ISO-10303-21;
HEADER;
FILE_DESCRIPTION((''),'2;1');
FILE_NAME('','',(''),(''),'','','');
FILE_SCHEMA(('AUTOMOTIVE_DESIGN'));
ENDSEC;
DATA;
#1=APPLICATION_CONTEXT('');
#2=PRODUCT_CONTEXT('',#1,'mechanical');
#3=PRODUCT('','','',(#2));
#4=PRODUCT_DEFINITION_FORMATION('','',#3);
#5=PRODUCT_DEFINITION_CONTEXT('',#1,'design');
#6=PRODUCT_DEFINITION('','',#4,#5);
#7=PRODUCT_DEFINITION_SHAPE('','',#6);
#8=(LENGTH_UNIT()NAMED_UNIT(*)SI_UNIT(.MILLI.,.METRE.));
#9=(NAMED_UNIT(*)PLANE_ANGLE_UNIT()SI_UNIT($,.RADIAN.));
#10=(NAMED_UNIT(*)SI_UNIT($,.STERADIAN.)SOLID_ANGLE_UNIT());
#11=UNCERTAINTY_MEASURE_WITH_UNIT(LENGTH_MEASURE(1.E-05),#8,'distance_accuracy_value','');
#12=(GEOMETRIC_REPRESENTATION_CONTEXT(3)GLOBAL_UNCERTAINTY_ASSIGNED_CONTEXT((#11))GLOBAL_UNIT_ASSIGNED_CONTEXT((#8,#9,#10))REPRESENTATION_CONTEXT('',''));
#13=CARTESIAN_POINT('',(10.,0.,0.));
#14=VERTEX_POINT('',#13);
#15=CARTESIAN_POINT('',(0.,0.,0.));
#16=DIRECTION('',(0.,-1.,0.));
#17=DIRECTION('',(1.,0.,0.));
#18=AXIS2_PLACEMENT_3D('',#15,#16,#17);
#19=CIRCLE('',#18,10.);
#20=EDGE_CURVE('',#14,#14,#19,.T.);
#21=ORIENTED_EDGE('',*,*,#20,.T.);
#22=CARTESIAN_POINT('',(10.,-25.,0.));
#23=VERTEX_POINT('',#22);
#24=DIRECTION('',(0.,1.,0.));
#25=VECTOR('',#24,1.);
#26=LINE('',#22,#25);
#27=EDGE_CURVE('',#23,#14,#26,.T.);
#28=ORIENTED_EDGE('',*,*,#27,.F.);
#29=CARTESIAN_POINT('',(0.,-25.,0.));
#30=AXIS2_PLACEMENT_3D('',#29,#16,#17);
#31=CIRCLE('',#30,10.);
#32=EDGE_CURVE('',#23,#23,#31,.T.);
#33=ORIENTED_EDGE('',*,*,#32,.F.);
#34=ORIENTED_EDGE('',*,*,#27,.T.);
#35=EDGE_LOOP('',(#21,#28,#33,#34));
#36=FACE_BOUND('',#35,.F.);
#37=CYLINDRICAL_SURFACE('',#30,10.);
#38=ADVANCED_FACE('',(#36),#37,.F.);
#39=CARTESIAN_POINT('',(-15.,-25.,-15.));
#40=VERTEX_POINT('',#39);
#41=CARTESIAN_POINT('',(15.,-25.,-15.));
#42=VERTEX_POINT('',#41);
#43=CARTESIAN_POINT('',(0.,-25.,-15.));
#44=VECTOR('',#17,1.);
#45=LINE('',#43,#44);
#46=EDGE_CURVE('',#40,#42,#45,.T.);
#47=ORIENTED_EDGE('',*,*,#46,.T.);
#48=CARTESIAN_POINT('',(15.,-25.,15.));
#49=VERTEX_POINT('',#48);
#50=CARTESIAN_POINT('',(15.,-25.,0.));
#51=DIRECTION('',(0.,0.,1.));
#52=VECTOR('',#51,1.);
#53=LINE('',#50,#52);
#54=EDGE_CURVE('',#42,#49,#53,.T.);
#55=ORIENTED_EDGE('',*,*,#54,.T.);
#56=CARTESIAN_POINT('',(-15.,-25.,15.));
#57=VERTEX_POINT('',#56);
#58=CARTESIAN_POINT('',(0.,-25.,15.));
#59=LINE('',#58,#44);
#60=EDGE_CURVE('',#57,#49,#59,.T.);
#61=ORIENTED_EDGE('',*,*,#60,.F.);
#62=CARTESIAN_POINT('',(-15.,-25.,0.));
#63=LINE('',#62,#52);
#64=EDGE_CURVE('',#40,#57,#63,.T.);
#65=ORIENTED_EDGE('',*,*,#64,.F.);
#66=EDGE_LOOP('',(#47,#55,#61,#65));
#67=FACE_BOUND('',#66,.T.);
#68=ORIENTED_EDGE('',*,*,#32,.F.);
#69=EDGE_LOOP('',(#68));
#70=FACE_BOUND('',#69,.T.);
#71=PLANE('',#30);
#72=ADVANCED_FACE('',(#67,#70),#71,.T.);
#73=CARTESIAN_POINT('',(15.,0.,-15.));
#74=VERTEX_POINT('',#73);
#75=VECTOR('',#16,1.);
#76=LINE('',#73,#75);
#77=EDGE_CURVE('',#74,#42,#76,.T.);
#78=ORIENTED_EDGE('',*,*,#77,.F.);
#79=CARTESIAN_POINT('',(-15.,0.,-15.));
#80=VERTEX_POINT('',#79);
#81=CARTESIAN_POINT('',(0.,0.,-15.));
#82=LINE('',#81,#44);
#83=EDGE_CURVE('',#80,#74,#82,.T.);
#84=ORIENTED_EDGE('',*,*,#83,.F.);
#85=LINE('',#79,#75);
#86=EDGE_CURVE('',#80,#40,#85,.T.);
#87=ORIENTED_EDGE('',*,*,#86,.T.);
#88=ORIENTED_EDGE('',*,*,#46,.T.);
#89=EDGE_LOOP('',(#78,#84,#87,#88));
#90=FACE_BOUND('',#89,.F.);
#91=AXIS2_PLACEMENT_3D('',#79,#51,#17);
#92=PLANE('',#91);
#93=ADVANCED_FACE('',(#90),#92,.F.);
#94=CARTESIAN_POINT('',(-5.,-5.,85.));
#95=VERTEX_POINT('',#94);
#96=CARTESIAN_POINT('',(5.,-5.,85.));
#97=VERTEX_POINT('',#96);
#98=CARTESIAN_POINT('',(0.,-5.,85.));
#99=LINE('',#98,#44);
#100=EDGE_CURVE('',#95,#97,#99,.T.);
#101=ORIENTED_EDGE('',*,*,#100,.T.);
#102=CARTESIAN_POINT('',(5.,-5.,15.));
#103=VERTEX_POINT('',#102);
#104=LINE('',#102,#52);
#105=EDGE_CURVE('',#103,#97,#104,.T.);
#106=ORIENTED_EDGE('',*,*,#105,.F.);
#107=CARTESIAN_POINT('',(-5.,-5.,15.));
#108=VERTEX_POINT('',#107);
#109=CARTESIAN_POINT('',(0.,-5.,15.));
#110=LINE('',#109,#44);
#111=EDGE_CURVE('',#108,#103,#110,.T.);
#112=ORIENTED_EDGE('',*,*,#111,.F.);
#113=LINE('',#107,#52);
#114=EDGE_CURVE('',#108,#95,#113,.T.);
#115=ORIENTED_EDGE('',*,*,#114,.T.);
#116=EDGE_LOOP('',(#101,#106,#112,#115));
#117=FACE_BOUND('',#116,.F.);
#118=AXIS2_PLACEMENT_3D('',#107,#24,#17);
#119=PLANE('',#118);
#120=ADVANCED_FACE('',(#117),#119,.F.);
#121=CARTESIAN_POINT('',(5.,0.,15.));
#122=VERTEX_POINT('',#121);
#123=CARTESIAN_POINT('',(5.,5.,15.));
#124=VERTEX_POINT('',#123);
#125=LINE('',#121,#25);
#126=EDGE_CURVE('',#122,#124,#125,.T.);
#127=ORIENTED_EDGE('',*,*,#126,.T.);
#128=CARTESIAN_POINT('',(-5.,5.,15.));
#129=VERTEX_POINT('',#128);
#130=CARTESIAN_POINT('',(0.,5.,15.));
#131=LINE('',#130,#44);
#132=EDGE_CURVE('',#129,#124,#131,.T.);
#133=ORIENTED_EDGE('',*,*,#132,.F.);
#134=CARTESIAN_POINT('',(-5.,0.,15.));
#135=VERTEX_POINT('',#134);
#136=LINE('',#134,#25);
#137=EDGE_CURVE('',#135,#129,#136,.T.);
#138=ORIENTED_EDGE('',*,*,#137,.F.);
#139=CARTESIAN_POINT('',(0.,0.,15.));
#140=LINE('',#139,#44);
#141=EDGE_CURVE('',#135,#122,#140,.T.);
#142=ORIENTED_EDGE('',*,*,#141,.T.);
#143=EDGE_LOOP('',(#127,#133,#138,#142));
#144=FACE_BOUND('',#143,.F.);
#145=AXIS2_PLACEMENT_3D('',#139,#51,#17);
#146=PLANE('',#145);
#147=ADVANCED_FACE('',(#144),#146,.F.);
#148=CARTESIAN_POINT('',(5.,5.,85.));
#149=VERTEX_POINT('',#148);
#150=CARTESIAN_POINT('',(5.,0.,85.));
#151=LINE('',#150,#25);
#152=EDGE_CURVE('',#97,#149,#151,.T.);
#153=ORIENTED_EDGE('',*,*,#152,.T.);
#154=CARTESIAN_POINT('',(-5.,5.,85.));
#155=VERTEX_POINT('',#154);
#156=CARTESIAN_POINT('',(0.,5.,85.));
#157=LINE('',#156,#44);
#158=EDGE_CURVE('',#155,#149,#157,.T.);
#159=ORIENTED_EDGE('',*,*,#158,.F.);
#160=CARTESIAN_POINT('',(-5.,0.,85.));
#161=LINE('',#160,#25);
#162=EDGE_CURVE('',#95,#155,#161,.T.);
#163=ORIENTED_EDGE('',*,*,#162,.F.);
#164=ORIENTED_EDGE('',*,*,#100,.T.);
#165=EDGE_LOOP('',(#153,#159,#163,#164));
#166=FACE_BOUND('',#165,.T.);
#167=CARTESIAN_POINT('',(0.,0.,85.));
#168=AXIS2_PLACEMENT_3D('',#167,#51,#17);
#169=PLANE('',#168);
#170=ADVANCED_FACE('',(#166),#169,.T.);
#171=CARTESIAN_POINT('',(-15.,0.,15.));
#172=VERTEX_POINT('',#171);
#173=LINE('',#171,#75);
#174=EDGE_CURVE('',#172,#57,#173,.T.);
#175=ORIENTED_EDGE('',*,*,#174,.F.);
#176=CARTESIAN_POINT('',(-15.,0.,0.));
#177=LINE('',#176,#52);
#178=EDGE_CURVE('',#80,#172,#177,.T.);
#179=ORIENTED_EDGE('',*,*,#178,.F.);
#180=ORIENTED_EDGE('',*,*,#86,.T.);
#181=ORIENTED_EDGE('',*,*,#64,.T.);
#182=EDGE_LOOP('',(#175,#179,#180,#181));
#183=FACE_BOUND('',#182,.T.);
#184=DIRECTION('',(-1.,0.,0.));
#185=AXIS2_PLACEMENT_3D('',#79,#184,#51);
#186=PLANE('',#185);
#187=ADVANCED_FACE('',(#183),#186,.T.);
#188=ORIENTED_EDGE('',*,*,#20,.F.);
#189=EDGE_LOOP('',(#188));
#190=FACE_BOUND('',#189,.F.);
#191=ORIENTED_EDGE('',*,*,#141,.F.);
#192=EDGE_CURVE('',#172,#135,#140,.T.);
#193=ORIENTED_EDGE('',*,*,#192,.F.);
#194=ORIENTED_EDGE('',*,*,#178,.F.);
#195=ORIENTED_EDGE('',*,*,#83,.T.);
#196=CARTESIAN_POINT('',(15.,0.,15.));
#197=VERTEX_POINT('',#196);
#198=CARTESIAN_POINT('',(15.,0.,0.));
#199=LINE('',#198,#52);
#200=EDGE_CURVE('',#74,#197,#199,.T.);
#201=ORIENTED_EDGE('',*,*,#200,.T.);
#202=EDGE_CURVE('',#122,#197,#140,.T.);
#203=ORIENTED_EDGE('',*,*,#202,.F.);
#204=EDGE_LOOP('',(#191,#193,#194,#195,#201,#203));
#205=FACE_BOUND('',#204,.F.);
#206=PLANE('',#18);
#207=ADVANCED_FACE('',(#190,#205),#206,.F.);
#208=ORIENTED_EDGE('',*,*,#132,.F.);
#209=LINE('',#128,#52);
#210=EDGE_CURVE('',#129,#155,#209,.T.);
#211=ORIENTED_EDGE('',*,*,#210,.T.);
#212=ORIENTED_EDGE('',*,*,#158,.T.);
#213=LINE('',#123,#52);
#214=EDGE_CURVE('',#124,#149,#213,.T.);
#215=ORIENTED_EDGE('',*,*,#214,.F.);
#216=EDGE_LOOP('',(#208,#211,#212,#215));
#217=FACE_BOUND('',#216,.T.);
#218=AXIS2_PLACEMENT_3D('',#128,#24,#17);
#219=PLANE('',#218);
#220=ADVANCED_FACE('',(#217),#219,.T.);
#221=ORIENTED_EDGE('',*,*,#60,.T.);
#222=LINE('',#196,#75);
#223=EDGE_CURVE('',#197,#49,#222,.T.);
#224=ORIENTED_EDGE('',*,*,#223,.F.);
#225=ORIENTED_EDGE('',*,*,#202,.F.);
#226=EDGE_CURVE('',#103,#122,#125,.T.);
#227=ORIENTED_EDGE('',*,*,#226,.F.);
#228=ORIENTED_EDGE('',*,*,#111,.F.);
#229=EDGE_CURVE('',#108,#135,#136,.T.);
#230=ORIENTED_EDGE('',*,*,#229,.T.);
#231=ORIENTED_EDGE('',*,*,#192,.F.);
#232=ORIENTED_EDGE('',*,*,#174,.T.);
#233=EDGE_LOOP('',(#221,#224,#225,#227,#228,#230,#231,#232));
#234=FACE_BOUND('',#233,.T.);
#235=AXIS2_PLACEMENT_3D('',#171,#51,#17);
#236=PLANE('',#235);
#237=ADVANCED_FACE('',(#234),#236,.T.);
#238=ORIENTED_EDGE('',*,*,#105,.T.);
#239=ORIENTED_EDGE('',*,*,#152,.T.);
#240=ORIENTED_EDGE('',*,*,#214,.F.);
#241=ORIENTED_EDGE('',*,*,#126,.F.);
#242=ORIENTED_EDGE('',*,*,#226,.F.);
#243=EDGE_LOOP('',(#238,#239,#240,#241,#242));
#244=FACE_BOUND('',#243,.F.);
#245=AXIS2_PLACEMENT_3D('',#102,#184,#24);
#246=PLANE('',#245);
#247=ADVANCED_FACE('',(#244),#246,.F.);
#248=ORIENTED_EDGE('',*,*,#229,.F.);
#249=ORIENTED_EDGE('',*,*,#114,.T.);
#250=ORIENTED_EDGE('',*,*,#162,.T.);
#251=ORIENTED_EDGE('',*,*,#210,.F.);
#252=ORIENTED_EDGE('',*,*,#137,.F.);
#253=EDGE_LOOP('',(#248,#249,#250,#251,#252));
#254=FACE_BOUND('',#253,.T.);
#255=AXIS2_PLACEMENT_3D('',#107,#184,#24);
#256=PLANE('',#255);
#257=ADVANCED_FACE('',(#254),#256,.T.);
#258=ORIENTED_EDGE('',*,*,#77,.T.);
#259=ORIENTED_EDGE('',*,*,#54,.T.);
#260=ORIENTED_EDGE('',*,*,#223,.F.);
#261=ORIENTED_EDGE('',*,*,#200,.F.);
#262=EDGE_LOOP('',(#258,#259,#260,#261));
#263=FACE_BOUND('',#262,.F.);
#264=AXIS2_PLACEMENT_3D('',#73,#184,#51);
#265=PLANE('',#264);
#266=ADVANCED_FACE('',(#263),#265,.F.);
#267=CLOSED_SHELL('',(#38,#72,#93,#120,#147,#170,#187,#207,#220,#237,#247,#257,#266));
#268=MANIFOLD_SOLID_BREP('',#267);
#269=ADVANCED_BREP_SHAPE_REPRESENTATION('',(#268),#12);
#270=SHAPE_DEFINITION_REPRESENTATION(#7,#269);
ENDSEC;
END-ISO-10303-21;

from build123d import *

# Parameters (mm, degrees)
F0_W     = 30
F0_H     = 30
F1_DEPTH = 25
F2_R     = 10
F3_DEPTH = 25
F4_W     = 10
F4_H     = 10
F5_DEPTH = 70


with BuildPart() as f1:
    # F0 (on Front) → F1 (new body)
    with BuildSketch(Plane.XZ):
        Rectangle(F0_W, F0_H)
    extrude(amount=F1_DEPTH)

    # F2 (on face) → F3 (cut)
    with BuildSketch(Plane.XZ.offset(25)):
        Circle(F2_R)
    extrude(amount=-F3_DEPTH, mode=Mode.SUBTRACT)

    # F4 (on face) → F5 (join)
    with BuildSketch(Plane.XY.offset(15)):
        Rectangle(F4_W, F4_H)
    extrude(amount=F5_DEPTH)


solid = f1.part
